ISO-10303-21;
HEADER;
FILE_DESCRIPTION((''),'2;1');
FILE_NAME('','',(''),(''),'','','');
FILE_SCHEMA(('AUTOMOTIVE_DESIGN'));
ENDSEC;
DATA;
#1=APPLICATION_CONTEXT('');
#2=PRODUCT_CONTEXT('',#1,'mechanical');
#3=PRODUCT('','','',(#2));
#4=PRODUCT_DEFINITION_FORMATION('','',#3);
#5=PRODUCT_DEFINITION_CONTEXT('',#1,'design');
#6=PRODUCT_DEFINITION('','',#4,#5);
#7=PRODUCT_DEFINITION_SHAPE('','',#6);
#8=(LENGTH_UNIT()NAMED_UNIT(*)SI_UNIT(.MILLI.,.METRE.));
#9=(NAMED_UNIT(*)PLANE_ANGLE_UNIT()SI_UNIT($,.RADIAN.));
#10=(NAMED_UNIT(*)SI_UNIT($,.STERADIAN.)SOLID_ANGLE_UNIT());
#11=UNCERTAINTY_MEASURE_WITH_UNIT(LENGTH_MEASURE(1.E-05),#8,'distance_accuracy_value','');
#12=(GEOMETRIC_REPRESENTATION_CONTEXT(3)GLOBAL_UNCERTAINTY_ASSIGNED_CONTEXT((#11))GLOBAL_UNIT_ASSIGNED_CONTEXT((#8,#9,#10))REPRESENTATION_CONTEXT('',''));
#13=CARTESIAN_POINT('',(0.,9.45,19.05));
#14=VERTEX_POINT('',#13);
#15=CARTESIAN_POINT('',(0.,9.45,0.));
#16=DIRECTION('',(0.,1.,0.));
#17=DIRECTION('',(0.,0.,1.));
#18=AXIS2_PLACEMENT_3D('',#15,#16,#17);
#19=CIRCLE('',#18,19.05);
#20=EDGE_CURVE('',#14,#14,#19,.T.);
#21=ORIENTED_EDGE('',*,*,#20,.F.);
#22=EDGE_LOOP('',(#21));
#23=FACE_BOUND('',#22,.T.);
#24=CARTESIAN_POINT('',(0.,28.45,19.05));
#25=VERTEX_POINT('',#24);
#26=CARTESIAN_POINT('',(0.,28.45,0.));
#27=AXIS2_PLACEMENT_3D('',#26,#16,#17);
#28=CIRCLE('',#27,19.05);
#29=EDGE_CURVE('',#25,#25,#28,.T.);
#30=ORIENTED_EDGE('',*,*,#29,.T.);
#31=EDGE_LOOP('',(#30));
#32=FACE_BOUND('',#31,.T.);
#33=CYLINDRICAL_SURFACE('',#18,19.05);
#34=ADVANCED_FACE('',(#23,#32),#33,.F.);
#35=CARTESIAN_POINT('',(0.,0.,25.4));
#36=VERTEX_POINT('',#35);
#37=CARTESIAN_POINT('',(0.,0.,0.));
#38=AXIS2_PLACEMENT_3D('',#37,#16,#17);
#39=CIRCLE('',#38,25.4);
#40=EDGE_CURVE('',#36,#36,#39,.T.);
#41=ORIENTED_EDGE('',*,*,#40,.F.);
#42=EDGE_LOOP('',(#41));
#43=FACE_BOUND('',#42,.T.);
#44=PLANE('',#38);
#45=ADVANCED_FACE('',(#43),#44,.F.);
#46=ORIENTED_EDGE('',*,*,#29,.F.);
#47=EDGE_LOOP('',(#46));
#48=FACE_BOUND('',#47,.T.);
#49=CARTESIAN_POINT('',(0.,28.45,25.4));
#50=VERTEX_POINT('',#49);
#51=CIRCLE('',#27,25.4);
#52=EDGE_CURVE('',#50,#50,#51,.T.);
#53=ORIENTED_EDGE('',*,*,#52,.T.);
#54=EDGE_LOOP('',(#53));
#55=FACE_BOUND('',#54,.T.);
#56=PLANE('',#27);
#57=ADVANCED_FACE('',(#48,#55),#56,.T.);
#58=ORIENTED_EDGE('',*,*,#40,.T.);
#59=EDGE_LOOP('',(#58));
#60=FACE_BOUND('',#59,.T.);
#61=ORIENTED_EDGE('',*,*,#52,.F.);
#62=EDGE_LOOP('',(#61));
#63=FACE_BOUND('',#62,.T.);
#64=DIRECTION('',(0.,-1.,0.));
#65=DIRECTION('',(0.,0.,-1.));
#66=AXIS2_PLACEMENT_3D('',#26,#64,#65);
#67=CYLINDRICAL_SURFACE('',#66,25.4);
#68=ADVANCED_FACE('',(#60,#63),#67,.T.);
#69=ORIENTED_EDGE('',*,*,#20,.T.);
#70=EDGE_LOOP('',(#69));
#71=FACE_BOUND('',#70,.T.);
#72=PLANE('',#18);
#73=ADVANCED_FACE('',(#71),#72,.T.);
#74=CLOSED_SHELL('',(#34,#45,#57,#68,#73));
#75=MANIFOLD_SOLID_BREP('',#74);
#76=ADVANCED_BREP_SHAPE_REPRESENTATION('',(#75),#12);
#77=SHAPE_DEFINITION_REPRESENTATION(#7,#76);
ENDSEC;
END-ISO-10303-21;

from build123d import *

# Parameters (mm, degrees)
ESQUISSE1_R             = 25.4
BOSS_EXTRU_1_DEPTH      = 28.45
ESQUISSE2_R             = 19.05
ENL_V_MAT_EXTRU_1_DEPTH = 19


with BuildPart() as part:
    # Esquisse1 → Boss.-Extru.1 (new body)
    with BuildSketch(Plane(origin=(0, 0, 0), x_dir=(1, 0, 0), z_dir=(0, 1, 0))):
        with Locations(Location((0, 0, 0), (0, 0, 270))):
            Circle(ESQUISSE1_R)
    extrude(amount=BOSS_EXTRU_1_DEPTH)

    # Esquisse2 → Enlèv. mat.-Extru.1 (cut)
    with BuildSketch(Plane(origin=(0, 28.45, 0), x_dir=(1, 0, 0), z_dir=(0, 1, 0))):
        with Locations(Location((0, 0, 0), (0, 0, 270))):
            Circle(ESQUISSE2_R)
    extrude(amount=-ENL_V_MAT_EXTRU_1_DEPTH, mode=Mode.SUBTRACT)


solid = part.part
